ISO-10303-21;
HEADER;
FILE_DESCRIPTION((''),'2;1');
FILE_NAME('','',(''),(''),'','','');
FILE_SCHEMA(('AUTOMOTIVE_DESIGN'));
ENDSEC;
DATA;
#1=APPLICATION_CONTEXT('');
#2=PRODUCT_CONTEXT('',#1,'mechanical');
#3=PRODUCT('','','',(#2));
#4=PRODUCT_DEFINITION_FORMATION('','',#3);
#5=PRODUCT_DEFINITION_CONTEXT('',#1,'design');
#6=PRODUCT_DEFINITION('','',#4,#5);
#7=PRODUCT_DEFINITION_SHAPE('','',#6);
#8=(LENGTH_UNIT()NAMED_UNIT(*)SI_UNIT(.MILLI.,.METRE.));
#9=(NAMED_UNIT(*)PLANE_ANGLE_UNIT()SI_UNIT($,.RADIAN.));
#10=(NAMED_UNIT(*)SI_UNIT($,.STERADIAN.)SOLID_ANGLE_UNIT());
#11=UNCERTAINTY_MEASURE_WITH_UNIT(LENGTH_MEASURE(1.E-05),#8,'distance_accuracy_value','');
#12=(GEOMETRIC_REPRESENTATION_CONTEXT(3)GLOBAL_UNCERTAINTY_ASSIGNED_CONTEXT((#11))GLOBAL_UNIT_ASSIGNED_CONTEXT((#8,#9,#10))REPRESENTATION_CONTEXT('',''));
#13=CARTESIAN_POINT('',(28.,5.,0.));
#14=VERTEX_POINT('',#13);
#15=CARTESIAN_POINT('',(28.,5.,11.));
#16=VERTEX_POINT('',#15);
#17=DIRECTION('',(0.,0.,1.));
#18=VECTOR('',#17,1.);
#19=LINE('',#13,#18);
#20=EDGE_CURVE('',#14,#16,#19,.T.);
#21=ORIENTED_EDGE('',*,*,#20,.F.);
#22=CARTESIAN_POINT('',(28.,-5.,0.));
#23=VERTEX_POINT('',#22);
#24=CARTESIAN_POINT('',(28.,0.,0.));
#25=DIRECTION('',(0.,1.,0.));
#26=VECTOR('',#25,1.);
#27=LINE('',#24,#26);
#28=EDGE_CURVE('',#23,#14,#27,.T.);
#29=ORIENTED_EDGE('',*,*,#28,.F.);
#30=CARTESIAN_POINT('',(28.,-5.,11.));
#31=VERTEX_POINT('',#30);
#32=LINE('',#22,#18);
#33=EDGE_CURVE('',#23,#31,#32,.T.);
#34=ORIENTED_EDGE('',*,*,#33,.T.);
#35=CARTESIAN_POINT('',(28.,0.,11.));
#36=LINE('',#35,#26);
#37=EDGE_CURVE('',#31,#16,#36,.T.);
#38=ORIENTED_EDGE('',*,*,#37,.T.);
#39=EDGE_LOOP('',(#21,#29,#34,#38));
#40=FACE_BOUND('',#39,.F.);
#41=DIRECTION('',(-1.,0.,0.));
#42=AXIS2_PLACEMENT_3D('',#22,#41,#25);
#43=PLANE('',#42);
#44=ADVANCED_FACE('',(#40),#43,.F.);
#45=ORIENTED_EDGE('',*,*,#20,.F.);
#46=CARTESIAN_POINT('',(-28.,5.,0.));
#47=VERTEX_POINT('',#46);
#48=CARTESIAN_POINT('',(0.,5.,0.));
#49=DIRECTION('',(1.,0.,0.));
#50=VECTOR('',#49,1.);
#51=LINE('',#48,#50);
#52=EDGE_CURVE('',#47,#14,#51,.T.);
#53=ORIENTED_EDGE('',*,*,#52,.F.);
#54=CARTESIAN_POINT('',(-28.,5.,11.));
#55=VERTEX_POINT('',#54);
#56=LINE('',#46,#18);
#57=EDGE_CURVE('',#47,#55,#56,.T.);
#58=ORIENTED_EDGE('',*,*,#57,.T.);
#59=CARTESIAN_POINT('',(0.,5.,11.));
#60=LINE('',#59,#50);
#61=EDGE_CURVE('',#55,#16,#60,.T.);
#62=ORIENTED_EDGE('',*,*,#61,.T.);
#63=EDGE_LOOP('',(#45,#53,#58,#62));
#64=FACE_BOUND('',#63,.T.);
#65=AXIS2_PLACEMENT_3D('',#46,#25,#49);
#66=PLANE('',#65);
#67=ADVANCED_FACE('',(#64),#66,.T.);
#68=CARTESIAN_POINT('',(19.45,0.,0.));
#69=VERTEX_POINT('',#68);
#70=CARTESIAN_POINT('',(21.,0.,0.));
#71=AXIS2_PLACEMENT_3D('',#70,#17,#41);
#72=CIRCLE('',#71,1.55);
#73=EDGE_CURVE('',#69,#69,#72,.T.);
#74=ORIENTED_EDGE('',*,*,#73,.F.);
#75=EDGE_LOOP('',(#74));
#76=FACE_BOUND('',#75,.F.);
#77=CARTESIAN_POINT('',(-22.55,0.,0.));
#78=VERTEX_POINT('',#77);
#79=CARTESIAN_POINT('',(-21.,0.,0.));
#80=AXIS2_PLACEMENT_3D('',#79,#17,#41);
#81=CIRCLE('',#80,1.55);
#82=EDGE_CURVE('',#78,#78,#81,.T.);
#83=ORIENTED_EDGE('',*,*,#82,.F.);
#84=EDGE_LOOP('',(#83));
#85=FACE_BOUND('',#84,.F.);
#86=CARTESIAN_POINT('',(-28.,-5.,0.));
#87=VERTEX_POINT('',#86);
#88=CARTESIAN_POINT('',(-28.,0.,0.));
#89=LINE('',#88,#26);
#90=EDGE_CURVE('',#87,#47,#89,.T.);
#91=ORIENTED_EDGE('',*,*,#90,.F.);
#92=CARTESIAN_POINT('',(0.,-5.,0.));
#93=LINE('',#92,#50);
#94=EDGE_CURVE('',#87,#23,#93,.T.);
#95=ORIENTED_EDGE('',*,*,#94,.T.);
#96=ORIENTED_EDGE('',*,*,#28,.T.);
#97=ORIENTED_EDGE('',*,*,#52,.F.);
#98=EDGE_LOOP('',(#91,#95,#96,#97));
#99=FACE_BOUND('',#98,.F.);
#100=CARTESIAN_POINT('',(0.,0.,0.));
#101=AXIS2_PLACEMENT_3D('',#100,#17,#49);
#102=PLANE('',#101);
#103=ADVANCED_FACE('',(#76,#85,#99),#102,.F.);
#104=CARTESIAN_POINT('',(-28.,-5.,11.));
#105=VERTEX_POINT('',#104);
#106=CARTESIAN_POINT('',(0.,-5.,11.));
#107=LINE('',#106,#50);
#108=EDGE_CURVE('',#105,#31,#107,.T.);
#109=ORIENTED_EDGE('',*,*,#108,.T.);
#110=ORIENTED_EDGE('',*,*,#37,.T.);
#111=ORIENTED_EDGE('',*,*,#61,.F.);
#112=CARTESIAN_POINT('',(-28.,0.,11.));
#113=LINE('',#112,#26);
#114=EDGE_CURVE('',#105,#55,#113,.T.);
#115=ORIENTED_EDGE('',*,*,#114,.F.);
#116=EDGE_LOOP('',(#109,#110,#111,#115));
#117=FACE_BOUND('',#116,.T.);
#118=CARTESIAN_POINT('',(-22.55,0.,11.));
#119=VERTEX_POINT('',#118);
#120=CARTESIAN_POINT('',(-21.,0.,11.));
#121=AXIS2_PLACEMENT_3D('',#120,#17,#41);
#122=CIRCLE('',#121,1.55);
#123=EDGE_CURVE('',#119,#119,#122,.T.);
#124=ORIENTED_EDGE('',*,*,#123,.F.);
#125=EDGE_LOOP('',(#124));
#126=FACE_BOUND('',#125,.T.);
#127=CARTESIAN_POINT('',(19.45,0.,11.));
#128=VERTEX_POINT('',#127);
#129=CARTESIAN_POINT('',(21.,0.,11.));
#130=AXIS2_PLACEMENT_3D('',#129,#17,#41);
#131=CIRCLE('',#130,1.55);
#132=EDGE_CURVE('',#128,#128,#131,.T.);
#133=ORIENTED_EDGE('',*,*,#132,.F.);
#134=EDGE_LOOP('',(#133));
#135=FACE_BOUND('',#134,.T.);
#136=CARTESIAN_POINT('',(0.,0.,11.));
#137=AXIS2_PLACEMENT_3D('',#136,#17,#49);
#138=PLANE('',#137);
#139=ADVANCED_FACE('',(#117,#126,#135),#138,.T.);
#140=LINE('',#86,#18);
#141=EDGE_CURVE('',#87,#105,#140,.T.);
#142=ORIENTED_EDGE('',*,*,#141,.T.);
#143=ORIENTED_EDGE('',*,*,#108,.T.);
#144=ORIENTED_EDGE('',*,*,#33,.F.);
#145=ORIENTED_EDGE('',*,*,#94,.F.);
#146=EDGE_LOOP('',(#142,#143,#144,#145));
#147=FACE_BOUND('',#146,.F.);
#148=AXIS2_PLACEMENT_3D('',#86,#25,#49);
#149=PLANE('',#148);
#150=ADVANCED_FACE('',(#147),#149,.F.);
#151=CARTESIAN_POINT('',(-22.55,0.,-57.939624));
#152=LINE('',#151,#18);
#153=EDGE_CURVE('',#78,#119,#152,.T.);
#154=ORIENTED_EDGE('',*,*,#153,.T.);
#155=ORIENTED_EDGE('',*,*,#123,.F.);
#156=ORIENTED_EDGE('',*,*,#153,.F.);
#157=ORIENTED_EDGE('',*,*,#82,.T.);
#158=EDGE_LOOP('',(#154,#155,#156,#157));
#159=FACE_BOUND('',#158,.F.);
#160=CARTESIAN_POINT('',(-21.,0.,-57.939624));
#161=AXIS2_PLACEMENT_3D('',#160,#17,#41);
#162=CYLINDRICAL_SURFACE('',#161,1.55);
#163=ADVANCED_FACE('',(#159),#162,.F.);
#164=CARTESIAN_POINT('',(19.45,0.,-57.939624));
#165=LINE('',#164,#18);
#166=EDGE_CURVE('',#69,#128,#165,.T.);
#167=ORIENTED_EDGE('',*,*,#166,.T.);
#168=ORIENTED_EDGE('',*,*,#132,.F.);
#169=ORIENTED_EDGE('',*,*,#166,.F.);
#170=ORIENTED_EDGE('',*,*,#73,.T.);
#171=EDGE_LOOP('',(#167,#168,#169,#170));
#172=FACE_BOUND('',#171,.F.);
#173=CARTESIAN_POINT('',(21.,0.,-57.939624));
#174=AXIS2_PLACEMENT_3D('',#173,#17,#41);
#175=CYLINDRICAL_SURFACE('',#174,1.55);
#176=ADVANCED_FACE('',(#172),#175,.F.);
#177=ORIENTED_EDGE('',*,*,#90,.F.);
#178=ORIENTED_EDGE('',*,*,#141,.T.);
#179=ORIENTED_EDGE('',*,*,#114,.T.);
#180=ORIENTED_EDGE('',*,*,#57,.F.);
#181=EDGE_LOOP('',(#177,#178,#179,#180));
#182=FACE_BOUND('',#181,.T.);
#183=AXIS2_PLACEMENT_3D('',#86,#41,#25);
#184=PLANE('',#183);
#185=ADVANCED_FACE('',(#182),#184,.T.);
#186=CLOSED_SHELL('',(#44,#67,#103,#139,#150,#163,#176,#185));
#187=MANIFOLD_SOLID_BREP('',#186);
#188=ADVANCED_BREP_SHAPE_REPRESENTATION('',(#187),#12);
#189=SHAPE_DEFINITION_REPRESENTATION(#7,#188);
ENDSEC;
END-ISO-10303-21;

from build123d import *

# Parameters (mm, degrees)
F0_W     = 56
F0_H     = 10
F1_DEPTH = 11
F2_D     = 3.1


with BuildPart() as f1:
    # F0 (on Top) → F1 (new body)
    with BuildSketch(Plane.XY):
        Rectangle(F0_W, F0_H)
    extrude(amount=F1_DEPTH)

    # F2 (through all)
    with Locations(Plane(origin=(0, 0, 0), x_dir=(1, 0, 0), z_dir=(0, 0, -1))):
        with Locations((21, 0), (-21, 0)):
            Hole(F2_D / 2)


solid = f1.part
